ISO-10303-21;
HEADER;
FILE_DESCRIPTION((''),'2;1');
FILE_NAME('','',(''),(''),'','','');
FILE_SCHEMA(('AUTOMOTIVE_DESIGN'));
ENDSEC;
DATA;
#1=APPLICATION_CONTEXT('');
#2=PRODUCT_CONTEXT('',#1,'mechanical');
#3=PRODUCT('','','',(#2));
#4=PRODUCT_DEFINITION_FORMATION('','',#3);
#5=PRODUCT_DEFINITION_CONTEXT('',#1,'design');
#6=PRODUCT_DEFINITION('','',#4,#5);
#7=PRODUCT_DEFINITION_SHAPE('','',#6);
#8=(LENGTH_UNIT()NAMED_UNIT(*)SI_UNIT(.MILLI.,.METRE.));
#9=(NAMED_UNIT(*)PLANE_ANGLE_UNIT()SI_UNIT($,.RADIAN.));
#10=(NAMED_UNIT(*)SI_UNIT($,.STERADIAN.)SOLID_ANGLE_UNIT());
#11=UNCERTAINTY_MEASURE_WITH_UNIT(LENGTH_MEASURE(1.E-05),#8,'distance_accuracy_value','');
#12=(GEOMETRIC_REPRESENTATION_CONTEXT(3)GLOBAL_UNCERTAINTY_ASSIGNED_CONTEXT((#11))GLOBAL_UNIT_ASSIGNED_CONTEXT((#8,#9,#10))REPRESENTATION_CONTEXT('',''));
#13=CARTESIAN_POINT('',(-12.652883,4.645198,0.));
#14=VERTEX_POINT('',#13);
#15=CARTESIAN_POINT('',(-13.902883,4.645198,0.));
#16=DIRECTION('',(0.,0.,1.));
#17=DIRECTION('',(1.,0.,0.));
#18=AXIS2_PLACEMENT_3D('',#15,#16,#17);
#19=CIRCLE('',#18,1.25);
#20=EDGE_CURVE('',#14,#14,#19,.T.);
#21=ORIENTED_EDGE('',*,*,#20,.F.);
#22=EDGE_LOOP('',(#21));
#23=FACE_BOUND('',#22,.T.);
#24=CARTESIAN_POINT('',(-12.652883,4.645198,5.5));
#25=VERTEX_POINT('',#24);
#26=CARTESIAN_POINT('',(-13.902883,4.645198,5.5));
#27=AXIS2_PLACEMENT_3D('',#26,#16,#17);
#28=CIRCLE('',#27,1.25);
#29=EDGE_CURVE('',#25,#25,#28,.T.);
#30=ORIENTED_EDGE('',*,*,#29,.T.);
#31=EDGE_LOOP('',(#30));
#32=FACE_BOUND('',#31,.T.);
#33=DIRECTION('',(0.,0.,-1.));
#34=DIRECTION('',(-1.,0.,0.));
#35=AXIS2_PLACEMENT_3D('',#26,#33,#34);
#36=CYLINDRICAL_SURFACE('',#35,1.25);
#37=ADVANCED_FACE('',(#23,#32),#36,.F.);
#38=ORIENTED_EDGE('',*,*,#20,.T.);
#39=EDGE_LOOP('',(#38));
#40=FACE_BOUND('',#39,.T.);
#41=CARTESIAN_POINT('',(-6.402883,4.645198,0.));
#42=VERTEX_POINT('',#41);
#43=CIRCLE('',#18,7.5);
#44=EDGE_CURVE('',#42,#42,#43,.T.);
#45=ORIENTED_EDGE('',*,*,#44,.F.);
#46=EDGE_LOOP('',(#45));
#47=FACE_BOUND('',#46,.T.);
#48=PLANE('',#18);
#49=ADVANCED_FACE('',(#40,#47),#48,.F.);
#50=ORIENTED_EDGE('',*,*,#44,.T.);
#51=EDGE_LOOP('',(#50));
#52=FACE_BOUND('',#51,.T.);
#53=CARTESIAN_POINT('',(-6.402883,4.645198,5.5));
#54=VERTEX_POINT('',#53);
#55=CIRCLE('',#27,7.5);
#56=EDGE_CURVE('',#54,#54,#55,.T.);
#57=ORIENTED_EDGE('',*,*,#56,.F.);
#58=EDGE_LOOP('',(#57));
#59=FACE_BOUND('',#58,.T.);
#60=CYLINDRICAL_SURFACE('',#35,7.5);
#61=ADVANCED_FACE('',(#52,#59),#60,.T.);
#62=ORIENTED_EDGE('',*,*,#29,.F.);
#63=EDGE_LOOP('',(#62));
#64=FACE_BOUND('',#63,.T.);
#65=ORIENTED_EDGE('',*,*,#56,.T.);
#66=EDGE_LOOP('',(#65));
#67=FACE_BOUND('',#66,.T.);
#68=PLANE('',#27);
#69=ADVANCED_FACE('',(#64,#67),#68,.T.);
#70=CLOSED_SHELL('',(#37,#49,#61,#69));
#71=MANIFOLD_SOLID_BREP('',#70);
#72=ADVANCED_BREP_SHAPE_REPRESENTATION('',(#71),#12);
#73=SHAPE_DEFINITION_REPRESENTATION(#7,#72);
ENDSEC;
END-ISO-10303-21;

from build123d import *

# Parameters (mm, degrees)
SKETCH_1_R      = 7.5
SKETCH_1_R_2    = 1.25
EXTRUDE_1_DEPTH = 5.5


with BuildPart() as part:
    # 草圖1 → 填料-伸長1 (new body)
    with BuildSketch(Plane.XY):
        with Locations((-13.902883306, 4.645198473)):
            Circle(SKETCH_1_R)
        with Locations((-13.902883306, 4.645198473)):
            Circle(SKETCH_1_R_2, mode=Mode.SUBTRACT)
    extrude(amount=EXTRUDE_1_DEPTH)


solid = part.part
